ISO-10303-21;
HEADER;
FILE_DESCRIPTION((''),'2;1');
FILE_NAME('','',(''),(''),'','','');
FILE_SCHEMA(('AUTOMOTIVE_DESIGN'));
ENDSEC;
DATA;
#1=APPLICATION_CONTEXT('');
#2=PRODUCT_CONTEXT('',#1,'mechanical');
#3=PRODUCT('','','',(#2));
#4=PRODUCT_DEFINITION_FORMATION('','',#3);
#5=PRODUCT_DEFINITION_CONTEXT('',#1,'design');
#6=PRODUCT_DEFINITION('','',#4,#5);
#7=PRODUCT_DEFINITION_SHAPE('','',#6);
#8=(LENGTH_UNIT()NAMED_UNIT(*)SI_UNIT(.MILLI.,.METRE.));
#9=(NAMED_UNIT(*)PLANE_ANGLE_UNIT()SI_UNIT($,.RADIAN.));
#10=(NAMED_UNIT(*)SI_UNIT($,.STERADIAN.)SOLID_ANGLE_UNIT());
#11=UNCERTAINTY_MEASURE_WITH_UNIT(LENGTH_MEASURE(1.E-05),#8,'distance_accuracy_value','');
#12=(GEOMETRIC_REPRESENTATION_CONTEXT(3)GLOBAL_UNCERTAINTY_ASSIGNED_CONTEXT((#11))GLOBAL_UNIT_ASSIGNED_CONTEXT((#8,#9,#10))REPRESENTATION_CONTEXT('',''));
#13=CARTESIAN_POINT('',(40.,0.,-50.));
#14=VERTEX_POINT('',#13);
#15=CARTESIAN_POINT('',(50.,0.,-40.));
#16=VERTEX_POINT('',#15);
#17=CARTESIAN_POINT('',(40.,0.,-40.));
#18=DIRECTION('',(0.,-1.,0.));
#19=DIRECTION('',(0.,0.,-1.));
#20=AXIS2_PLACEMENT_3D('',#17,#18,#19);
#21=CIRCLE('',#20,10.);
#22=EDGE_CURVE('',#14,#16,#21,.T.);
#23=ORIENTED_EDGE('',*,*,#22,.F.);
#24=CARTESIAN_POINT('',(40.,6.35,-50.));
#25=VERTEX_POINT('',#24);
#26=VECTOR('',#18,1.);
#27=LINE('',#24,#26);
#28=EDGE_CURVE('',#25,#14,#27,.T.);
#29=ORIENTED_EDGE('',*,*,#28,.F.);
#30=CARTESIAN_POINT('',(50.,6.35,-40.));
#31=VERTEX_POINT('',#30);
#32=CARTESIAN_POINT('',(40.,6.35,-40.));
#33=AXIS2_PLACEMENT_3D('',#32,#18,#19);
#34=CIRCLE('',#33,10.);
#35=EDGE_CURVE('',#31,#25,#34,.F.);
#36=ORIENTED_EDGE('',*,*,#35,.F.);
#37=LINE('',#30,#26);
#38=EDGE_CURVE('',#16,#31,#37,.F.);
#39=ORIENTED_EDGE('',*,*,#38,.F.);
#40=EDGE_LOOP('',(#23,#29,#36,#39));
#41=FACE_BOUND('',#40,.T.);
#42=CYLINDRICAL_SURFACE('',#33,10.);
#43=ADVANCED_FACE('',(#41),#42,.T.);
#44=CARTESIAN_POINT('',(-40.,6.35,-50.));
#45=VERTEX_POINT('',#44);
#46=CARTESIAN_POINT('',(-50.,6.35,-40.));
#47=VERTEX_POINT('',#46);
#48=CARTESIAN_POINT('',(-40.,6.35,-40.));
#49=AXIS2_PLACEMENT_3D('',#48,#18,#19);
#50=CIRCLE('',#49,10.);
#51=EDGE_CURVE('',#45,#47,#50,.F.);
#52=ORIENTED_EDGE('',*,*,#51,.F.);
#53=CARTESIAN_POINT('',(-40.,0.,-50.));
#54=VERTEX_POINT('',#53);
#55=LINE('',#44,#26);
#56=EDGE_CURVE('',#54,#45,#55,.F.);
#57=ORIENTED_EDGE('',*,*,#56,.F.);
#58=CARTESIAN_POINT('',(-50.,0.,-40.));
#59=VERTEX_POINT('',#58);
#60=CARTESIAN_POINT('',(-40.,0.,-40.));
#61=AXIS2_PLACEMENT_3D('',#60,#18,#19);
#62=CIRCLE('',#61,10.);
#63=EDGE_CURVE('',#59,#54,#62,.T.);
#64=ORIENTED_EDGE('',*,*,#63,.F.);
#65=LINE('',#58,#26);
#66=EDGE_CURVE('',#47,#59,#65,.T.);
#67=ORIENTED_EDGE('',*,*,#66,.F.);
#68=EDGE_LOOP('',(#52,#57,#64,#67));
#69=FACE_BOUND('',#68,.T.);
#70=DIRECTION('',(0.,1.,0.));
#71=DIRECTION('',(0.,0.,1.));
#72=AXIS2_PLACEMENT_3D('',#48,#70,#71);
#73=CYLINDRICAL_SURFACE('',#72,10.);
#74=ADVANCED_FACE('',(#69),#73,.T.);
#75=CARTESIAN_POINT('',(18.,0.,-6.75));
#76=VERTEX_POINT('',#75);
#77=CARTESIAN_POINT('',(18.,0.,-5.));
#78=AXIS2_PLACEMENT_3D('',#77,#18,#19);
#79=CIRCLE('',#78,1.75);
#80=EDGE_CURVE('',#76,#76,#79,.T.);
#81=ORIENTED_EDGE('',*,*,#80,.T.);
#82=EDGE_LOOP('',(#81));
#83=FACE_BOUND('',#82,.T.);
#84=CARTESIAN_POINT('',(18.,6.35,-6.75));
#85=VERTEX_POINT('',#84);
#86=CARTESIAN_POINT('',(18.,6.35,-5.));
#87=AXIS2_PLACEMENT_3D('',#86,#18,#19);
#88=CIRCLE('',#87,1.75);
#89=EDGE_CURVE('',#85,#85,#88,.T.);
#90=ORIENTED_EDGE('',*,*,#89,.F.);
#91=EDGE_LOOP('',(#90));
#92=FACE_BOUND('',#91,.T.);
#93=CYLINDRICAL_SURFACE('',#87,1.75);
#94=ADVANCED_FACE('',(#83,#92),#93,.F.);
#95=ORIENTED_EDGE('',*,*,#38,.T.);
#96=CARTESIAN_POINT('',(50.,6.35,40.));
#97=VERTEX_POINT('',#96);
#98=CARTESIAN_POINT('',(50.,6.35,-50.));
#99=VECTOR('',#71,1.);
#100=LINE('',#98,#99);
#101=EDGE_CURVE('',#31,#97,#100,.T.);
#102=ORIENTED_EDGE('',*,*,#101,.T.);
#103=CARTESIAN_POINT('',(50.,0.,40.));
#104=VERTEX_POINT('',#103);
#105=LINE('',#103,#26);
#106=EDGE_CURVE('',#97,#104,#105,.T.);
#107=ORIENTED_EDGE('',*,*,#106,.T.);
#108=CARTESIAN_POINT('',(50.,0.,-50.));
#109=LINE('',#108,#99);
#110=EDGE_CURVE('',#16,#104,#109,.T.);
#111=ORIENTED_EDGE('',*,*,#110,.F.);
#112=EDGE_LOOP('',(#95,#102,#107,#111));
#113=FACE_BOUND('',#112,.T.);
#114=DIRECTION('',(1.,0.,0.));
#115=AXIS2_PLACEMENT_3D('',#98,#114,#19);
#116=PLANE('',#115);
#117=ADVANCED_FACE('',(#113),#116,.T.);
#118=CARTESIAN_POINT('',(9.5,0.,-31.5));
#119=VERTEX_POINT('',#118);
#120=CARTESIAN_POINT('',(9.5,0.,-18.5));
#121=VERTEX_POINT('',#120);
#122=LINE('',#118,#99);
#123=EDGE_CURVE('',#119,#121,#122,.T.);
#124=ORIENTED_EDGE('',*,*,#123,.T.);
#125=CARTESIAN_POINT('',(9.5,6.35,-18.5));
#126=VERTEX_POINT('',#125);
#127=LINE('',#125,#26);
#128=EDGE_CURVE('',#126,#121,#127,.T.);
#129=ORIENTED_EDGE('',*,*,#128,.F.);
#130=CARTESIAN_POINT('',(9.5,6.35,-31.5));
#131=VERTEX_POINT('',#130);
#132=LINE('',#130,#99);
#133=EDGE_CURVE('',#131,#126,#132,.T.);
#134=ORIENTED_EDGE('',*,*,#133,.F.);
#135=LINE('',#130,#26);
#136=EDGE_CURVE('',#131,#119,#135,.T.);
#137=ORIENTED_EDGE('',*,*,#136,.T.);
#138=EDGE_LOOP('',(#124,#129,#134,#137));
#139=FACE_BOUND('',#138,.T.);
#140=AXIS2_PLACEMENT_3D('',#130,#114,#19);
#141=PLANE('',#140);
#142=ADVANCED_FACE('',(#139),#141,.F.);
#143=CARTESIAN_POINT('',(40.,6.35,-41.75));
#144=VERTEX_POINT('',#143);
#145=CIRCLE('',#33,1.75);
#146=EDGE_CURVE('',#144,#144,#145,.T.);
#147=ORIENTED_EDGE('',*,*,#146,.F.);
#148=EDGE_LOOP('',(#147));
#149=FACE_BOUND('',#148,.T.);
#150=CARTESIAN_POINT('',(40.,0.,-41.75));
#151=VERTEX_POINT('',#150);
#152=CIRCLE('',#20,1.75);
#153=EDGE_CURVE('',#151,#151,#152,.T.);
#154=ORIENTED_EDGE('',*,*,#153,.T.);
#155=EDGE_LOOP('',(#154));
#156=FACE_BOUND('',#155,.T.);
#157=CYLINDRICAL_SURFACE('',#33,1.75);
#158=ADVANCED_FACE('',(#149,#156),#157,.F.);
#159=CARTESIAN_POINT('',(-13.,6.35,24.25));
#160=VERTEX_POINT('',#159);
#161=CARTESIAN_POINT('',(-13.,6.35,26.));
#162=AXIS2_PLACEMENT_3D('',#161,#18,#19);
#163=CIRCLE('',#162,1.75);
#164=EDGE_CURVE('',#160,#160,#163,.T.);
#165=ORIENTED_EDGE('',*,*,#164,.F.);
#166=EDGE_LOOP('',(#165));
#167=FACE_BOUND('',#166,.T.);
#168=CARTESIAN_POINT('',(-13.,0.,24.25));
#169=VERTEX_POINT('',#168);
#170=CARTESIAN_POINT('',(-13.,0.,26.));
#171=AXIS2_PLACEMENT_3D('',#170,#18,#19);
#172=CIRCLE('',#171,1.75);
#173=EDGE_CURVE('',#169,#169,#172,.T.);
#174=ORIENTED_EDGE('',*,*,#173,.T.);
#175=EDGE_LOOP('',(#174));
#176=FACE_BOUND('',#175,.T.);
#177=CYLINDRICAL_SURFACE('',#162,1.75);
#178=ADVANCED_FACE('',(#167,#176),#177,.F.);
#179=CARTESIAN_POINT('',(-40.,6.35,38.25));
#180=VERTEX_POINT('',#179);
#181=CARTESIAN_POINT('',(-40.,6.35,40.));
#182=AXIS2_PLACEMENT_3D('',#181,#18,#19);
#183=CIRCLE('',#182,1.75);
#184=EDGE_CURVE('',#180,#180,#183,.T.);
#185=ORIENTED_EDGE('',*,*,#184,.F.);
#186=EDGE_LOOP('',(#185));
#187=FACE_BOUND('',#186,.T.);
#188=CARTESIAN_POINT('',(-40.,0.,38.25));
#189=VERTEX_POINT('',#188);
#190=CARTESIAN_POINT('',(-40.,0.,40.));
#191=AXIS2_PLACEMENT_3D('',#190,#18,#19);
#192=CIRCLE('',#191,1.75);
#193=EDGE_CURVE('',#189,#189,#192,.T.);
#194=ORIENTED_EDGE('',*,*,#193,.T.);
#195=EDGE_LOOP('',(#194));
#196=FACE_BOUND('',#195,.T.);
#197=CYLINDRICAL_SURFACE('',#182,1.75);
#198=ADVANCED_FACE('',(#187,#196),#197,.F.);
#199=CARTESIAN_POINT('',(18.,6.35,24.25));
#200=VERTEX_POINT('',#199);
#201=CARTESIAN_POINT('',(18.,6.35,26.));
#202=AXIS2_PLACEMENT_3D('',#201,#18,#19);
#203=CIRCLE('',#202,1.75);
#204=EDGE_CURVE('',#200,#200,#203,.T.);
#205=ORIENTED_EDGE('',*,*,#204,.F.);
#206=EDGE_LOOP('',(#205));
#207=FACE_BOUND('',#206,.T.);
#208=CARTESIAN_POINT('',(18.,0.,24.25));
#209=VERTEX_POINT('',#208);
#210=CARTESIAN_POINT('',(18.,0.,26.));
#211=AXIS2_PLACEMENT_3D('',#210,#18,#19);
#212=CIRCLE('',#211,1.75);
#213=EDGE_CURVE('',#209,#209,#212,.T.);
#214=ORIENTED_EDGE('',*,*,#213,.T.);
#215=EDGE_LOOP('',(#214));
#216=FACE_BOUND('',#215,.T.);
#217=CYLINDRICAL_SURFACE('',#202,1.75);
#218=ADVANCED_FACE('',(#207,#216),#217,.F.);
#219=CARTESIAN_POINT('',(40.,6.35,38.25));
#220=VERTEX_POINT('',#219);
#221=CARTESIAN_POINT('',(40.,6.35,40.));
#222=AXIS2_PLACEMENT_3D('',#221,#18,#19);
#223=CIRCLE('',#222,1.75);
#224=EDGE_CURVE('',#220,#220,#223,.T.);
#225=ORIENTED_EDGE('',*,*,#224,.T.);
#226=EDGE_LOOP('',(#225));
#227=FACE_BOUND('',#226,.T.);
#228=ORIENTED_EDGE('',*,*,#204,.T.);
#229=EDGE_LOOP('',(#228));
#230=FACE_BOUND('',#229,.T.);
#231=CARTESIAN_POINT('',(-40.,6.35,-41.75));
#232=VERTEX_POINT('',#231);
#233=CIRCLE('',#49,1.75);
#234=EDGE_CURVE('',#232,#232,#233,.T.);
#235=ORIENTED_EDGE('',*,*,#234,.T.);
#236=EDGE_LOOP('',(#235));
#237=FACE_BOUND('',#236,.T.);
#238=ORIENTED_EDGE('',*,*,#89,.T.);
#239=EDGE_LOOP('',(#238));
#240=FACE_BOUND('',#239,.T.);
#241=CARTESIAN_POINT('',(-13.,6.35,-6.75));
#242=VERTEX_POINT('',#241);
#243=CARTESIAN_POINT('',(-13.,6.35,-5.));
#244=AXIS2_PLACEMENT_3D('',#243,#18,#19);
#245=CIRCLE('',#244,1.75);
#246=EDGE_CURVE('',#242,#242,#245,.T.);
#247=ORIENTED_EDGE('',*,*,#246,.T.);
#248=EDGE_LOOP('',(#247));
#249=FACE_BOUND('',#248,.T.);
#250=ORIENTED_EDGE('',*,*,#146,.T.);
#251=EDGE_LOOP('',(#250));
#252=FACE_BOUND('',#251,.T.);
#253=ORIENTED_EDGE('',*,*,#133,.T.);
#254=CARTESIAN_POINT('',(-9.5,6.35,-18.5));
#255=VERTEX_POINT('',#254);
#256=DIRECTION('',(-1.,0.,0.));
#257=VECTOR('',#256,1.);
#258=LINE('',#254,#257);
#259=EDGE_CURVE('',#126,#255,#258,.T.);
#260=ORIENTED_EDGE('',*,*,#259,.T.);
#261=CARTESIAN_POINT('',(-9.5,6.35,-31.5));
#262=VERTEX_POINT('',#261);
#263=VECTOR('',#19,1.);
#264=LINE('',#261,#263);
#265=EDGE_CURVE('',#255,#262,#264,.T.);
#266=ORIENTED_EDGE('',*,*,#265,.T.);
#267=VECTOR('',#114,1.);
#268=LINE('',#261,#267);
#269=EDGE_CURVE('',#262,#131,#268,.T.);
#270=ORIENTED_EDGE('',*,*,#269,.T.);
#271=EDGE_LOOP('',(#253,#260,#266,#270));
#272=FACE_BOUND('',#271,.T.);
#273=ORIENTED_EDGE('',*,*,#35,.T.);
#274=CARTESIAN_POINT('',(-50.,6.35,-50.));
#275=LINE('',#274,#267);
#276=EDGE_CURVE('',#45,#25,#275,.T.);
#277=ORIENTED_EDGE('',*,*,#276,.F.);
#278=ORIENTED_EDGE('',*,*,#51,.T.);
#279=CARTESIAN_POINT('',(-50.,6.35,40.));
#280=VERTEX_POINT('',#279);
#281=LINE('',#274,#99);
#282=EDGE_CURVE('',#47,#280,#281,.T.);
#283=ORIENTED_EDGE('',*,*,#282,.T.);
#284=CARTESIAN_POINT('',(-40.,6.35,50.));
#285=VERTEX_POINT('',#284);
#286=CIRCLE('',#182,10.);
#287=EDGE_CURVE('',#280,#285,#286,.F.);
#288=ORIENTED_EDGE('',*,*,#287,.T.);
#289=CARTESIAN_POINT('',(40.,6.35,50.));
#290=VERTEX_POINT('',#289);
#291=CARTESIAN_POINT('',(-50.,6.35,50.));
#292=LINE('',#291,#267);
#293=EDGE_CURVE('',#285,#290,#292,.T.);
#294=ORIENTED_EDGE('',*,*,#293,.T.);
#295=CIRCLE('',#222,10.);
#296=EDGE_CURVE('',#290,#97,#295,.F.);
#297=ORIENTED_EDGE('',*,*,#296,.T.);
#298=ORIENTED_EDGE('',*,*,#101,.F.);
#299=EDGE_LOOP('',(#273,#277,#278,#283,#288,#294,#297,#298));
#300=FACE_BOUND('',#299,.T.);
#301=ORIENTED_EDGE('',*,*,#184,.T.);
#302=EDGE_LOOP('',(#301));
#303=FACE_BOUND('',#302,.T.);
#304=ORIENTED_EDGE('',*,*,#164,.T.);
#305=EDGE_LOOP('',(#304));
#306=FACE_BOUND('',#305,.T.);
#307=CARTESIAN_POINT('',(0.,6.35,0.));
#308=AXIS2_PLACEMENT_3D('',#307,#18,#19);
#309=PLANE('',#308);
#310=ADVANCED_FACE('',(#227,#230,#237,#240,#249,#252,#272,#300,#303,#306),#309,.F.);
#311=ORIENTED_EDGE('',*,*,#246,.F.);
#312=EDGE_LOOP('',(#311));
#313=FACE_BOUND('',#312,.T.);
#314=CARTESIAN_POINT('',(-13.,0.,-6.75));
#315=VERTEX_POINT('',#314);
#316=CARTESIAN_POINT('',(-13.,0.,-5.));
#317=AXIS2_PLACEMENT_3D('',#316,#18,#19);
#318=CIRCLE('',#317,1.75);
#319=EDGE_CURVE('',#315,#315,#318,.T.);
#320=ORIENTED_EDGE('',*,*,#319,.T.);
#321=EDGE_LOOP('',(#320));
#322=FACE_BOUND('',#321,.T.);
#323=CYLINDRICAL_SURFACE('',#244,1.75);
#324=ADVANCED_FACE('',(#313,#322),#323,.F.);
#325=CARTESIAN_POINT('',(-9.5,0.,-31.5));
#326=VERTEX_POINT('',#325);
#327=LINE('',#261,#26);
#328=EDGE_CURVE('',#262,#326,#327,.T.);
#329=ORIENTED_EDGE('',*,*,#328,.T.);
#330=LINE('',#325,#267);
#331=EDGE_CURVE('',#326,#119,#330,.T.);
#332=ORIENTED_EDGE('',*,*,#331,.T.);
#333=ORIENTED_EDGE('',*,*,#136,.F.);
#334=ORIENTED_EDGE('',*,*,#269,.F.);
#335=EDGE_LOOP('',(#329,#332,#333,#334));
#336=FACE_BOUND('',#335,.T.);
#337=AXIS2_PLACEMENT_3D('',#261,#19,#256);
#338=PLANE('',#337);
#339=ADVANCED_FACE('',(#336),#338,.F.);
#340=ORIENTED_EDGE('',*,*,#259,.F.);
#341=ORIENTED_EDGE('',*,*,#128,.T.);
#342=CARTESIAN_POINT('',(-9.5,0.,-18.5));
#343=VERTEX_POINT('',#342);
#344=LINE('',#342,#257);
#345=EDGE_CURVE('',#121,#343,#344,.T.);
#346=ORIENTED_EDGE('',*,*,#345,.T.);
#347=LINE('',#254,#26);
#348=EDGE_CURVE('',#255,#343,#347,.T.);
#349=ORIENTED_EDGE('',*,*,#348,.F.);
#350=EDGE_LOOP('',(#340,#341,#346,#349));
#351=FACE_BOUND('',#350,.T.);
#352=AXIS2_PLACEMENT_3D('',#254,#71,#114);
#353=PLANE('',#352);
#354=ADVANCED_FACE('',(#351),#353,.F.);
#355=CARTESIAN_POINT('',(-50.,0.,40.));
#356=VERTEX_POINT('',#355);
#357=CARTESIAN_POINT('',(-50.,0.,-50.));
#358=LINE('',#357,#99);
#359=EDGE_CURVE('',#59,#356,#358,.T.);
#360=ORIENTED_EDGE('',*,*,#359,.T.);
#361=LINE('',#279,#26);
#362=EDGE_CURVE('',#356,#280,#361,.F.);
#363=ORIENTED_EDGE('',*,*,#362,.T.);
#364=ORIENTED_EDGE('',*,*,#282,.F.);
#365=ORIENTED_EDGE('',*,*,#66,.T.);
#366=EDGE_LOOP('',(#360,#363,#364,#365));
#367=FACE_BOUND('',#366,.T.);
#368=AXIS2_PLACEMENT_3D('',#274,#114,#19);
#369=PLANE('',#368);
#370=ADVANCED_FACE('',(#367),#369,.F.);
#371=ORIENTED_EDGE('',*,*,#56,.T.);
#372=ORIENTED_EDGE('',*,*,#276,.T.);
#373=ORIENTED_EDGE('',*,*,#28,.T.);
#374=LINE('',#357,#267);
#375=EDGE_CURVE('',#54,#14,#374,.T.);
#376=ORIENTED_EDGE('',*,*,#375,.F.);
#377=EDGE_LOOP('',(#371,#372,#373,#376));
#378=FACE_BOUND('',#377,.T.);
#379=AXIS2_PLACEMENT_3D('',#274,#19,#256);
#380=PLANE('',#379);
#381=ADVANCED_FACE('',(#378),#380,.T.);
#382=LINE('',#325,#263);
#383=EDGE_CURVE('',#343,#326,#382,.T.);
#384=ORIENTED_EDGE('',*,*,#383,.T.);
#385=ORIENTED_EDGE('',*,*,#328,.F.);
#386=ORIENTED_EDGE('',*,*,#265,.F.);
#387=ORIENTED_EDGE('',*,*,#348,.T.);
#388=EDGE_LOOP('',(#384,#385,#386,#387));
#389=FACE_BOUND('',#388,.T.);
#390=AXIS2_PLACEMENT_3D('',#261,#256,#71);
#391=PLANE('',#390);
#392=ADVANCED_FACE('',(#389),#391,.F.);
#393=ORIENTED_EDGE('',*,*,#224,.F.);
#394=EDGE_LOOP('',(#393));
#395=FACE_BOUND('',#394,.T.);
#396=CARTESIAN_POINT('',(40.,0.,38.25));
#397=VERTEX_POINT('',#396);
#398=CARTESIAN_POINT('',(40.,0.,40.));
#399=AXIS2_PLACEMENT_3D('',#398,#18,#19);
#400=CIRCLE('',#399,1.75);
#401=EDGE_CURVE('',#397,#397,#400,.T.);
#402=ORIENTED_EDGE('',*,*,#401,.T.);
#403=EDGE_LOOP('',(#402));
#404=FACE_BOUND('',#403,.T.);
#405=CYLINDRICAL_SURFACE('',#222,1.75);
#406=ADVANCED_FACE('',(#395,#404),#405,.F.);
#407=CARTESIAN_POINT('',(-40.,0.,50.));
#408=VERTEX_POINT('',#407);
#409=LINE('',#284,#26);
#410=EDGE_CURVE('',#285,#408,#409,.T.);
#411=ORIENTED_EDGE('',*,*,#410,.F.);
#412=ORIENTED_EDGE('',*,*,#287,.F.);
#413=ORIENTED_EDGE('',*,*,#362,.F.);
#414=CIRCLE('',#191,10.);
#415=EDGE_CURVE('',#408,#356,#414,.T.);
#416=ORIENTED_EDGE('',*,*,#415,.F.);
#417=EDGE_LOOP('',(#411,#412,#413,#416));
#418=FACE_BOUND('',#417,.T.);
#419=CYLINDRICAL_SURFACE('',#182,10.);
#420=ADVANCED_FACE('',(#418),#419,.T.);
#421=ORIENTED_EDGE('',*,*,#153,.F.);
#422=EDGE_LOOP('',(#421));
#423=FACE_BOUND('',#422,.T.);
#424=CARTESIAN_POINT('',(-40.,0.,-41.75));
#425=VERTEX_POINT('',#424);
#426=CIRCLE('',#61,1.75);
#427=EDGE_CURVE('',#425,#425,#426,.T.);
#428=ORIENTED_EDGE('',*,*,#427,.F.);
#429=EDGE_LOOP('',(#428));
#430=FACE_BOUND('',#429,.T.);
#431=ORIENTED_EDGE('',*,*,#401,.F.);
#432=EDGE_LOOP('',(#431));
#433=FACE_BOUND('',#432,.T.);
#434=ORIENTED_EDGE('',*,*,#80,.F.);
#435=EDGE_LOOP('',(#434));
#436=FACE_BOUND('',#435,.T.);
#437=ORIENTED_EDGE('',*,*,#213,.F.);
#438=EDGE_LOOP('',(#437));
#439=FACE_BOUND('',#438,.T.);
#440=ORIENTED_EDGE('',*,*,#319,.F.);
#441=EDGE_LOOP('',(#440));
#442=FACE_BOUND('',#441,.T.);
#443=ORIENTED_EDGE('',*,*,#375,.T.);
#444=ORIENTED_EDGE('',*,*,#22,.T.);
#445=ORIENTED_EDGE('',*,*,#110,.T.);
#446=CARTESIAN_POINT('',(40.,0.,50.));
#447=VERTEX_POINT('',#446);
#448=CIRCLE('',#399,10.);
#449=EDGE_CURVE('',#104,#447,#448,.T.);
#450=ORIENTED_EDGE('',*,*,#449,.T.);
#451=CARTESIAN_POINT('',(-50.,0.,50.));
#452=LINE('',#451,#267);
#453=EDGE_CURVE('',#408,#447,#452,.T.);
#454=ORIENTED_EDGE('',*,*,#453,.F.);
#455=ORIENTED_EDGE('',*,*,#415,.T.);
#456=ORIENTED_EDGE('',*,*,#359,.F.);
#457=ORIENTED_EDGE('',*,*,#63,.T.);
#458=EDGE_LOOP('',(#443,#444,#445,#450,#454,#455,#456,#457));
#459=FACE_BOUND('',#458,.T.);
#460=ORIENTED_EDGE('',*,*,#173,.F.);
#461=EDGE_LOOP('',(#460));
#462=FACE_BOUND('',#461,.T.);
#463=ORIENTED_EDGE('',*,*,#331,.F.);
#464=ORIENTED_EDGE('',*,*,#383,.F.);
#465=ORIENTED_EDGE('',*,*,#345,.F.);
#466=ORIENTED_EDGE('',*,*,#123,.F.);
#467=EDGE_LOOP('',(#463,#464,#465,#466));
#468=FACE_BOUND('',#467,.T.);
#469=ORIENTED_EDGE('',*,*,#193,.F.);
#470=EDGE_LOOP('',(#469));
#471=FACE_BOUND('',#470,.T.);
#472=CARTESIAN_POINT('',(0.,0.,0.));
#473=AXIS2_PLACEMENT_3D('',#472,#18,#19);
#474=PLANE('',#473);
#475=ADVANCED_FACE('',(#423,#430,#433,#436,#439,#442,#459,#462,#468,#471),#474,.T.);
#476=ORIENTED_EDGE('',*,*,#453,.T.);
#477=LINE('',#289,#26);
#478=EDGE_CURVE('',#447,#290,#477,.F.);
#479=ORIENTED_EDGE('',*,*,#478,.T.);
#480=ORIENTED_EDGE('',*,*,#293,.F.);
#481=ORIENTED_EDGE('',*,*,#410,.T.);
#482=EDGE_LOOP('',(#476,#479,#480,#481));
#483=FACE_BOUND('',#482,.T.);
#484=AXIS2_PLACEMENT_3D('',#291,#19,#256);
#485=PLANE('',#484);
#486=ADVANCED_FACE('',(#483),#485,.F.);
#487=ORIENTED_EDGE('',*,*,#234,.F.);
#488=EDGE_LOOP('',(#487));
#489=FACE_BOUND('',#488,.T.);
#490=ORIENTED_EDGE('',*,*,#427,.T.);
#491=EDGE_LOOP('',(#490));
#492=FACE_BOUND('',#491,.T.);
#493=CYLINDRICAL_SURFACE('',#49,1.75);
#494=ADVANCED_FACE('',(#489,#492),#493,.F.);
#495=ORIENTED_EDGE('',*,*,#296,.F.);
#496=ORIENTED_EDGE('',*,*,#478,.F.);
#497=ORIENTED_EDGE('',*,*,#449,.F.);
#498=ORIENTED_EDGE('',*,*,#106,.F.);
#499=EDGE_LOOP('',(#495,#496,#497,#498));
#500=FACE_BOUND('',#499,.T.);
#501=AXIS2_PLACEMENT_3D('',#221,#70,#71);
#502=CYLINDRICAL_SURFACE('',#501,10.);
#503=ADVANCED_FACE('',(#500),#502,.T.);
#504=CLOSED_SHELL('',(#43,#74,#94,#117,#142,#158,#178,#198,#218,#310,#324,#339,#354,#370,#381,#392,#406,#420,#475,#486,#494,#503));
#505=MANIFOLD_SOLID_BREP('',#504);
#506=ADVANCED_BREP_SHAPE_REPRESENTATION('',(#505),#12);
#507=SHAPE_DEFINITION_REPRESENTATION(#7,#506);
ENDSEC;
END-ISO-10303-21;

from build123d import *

# Parameters (mm, degrees)
SKETCH2_W                 = 100
SKETCH2_H                 = 100
BOSS_EXTRUDE1_DEPTH       = 6.35
SKETCH3_R                 = 1.75
CUT_EXTRUDE1_DEPTH        = 7.35
LPATTERN1_COUNT           = 2
LPATTERN1_PITCH           = 80
LPATTERN2_COUNT           = 2
LPATTERN2_PITCH           = 80
LPATTERN2_COPY_1_SKETCH_R = 1.75
LPATTERN2_COPY_1_DEPTH    = 7.35
SKETCH8_R                 = 1.75
CUT_EXTRUDE2_DEPTH        = 7.35
LPATTERN3_COUNT           = 2
LPATTERN3_PITCH           = 31
LPATTERN4_COUNT           = 2
LPATTERN4_PITCH           = 31
LPATTERN4_COPY_1_SKETCH_R = 1.75
LPATTERN4_COPY_1_DEPTH    = 7.35
SKETCH9_W                 = 19
SKETCH9_H                 = 13
CUT_EXTRUDE3_DEPTH        = 7.35
FILLET1_R                 = 10


with BuildPart() as part:
    # Sketch2 → Boss-Extrude1 (new body)
    with BuildSketch(Plane(origin=(0, 0, 0), x_dir=(1, 0, 0), z_dir=(0, 1, 0))):
        Rectangle(SKETCH2_W, SKETCH2_H)
    extrude(amount=BOSS_EXTRUDE1_DEPTH)

    # Sketch3 → Cut-Extrude1 (cut, through all)
    with BuildSketch(Plane.XZ):
        with Locations((-40, -40)):
            Circle(SKETCH3_R)
    cut_extrude1 = extrude(amount=-CUT_EXTRUDE1_DEPTH, mode=Mode.SUBTRACT)

    # LPattern1: Cut-Extrude1 ×2
    with Locations(*[(0, 0, i * LPATTERN1_PITCH) for i in range(1, LPATTERN1_COUNT)]):
        add(cut_extrude1, mode=Mode.SUBTRACT)

    # LPattern2: Cut-Extrude1 ×2
    with Locations(*[(i * LPATTERN2_PITCH, 0, 0) for i in range(1, LPATTERN2_COUNT)]):
        add(cut_extrude1, mode=Mode.SUBTRACT)

    # LPattern2 copy 1 sketch → LPattern2 copy 1 (cut, through all)
    with BuildSketch(Plane(origin=(80, 0, 80), x_dir=(1, 0, 0), z_dir=(0, -1, 0))):
        with Locations((-40, -40)):
            Circle(LPATTERN2_COPY_1_SKETCH_R)
    extrude(amount=-LPATTERN2_COPY_1_DEPTH, mode=Mode.SUBTRACT)

    # Sketch8 → Cut-Extrude2 (cut, through all)
    with BuildSketch(Plane.XZ):
        with Locations((18, -5)):
            Circle(SKETCH8_R)
    cut_extrude2 = extrude(amount=-CUT_EXTRUDE2_DEPTH, mode=Mode.SUBTRACT)

    # LPattern3: Cut-Extrude2 ×2
    with Locations(*[(0, 0, i * LPATTERN3_PITCH) for i in range(1, LPATTERN3_COUNT)]):
        add(cut_extrude2, mode=Mode.SUBTRACT)

    # LPattern4: Cut-Extrude2 ×2
    with Locations(*[(-i * LPATTERN4_PITCH, 0, 0) for i in range(1, LPATTERN4_COUNT)]):
        add(cut_extrude2, mode=Mode.SUBTRACT)

    # LPattern4 copy 1 sketch → LPattern4 copy 1 (cut, through all)
    with BuildSketch(Plane(origin=(-31, 0, 31), x_dir=(1, 0, 0), z_dir=(0, -1, 0))):
        with Locations((18, -5)):
            Circle(LPATTERN4_COPY_1_SKETCH_R)
    extrude(amount=-LPATTERN4_COPY_1_DEPTH, mode=Mode.SUBTRACT)

    # Sketch9 → Cut-Extrude3 (cut, through all)
    with BuildSketch(Plane.XZ):
        with Locations((0, -25)):
            Rectangle(SKETCH9_W, SKETCH9_H)
    extrude(amount=-CUT_EXTRUDE3_DEPTH, mode=Mode.SUBTRACT)

    # Fillet1
    fillet1_edges = [part.edges().sort_by_distance(p)[0] for p in [
        (-50, 3.175, -50),
        (-50, 3.175, 50),
        (50, 3.175, 50),
        (50, 3.175, -50),
    ]]
    fillet(fillet1_edges, radius=FILLET1_R)


solid = part.part
